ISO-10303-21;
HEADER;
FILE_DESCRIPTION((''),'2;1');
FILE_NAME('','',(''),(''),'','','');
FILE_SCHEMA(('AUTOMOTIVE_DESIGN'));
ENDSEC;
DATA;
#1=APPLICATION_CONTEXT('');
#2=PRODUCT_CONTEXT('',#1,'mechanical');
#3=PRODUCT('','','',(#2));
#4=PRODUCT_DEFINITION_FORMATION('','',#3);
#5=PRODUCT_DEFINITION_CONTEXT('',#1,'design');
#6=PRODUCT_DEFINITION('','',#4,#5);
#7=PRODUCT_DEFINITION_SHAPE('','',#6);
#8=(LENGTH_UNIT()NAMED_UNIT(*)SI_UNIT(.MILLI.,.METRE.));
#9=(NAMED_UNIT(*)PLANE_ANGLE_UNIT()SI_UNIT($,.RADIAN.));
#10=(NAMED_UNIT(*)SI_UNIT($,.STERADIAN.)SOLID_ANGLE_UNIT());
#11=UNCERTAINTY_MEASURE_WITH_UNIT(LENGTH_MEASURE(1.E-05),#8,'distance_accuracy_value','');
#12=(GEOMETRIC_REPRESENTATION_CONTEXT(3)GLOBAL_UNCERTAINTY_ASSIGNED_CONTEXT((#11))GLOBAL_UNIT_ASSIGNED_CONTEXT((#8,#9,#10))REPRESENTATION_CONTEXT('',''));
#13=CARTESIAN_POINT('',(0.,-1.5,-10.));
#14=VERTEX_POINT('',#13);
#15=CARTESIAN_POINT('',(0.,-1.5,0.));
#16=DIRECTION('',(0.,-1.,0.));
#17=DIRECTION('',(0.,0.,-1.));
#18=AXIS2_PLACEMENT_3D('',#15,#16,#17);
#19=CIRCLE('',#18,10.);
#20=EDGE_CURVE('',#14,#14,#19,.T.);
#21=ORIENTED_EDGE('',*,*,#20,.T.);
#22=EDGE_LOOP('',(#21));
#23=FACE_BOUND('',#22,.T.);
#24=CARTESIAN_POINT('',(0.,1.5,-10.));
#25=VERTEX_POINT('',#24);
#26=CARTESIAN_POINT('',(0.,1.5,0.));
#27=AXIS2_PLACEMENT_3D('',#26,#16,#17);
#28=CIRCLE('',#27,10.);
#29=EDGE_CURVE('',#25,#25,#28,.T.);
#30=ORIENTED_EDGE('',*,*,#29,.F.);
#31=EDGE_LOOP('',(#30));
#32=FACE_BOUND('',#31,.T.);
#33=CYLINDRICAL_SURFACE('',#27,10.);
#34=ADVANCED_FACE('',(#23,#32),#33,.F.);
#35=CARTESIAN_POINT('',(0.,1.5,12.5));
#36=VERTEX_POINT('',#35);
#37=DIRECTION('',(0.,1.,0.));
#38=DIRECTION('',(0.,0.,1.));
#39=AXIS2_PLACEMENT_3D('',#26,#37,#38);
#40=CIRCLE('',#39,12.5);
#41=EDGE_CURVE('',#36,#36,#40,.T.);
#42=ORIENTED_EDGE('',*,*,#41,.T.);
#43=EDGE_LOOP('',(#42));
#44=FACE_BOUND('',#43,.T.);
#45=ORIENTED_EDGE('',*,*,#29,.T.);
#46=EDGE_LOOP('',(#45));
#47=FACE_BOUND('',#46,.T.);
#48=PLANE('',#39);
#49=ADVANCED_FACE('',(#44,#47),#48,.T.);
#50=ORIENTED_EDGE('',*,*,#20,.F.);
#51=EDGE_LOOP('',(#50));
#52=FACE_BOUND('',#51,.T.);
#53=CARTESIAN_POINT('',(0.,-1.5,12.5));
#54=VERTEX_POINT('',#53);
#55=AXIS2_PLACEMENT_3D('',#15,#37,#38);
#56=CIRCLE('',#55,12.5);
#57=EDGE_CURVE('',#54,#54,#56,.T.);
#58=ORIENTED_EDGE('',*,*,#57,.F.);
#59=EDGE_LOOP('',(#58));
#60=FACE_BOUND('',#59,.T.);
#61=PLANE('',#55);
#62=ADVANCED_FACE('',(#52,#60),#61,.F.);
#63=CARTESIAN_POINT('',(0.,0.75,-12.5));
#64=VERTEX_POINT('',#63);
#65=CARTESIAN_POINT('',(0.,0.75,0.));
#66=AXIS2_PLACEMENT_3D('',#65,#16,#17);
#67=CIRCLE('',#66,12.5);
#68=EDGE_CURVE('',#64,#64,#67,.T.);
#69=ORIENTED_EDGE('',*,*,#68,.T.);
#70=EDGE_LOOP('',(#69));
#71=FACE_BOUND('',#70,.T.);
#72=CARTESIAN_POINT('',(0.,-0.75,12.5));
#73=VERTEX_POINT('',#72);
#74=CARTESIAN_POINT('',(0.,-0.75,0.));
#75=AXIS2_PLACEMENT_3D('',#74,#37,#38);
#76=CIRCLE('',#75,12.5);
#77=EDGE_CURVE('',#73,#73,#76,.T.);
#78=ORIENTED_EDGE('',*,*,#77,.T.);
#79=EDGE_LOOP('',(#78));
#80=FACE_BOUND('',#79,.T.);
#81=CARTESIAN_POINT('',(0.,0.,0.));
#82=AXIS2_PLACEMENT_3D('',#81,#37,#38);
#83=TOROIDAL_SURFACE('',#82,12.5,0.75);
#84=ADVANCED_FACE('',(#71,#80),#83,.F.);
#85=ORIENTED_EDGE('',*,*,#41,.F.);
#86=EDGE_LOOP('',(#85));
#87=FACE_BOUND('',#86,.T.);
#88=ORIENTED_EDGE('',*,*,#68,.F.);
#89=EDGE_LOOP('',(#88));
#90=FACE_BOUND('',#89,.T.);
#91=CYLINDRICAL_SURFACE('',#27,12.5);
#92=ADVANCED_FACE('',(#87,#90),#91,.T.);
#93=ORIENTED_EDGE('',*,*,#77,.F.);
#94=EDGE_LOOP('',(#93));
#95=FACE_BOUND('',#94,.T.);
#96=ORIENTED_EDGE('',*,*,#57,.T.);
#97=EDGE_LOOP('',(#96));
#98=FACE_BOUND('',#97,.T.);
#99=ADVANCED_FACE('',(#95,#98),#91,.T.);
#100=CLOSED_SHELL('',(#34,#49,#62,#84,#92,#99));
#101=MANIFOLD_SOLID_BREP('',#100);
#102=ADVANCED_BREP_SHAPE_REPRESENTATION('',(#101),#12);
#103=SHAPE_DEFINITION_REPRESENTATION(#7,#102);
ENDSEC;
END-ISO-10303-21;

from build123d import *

# Parameters (mm, degrees)
CROQUIS1_R              = 12.5
SALIENTE_EXTRUIR1_DEPTH = 1.5
CROQUIS2_R              = 0.75
CROQUIS4_R              = 10
CORTAR_EXTRUIR1_DEPTH   = 18.930421077


with BuildPart() as part:
    # Croquis1 → Saliente-Extruir1 (new, symmetric)
    with BuildSketch(Plane(origin=(0, 0, 0), x_dir=(1, 0, 0), z_dir=(0, 1, 0))):
        with Locations(Location((0, 0, 0), (0, 0, 270))):
            Circle(CROQUIS1_R)
    extrude(amount=SALIENTE_EXTRUIR1_DEPTH, both=True)

    # Croquis2 → Cortar-Revolución1 (revolve, cut)
    with BuildSketch(Plane(origin=(0, 0, 0), x_dir=(0, 0, -1), z_dir=(1, 0, 0)), mode=Mode.PRIVATE) as cortar_revoluci_n1_sk:
        with Locations((12.5, 0)):
            Circle(CROQUIS2_R)
    revolve(cortar_revoluci_n1_sk.sketch.rotate(Axis((0, 1.5, 0), (0, -1, 0)), 180), axis=Axis((0, 1.5, 0), (0, -1, 0)), mode=Mode.SUBTRACT)

    # Croquis4 → Cortar-Extruir1 (cut, through all)
    with BuildSketch(Plane.XZ.offset(1.5)):
        with Locations(Location((0, 0, 0), (0, 0, 270))):
            Circle(CROQUIS4_R)
    extrude(amount=-CORTAR_EXTRUIR1_DEPTH, mode=Mode.SUBTRACT)


solid = part.part
